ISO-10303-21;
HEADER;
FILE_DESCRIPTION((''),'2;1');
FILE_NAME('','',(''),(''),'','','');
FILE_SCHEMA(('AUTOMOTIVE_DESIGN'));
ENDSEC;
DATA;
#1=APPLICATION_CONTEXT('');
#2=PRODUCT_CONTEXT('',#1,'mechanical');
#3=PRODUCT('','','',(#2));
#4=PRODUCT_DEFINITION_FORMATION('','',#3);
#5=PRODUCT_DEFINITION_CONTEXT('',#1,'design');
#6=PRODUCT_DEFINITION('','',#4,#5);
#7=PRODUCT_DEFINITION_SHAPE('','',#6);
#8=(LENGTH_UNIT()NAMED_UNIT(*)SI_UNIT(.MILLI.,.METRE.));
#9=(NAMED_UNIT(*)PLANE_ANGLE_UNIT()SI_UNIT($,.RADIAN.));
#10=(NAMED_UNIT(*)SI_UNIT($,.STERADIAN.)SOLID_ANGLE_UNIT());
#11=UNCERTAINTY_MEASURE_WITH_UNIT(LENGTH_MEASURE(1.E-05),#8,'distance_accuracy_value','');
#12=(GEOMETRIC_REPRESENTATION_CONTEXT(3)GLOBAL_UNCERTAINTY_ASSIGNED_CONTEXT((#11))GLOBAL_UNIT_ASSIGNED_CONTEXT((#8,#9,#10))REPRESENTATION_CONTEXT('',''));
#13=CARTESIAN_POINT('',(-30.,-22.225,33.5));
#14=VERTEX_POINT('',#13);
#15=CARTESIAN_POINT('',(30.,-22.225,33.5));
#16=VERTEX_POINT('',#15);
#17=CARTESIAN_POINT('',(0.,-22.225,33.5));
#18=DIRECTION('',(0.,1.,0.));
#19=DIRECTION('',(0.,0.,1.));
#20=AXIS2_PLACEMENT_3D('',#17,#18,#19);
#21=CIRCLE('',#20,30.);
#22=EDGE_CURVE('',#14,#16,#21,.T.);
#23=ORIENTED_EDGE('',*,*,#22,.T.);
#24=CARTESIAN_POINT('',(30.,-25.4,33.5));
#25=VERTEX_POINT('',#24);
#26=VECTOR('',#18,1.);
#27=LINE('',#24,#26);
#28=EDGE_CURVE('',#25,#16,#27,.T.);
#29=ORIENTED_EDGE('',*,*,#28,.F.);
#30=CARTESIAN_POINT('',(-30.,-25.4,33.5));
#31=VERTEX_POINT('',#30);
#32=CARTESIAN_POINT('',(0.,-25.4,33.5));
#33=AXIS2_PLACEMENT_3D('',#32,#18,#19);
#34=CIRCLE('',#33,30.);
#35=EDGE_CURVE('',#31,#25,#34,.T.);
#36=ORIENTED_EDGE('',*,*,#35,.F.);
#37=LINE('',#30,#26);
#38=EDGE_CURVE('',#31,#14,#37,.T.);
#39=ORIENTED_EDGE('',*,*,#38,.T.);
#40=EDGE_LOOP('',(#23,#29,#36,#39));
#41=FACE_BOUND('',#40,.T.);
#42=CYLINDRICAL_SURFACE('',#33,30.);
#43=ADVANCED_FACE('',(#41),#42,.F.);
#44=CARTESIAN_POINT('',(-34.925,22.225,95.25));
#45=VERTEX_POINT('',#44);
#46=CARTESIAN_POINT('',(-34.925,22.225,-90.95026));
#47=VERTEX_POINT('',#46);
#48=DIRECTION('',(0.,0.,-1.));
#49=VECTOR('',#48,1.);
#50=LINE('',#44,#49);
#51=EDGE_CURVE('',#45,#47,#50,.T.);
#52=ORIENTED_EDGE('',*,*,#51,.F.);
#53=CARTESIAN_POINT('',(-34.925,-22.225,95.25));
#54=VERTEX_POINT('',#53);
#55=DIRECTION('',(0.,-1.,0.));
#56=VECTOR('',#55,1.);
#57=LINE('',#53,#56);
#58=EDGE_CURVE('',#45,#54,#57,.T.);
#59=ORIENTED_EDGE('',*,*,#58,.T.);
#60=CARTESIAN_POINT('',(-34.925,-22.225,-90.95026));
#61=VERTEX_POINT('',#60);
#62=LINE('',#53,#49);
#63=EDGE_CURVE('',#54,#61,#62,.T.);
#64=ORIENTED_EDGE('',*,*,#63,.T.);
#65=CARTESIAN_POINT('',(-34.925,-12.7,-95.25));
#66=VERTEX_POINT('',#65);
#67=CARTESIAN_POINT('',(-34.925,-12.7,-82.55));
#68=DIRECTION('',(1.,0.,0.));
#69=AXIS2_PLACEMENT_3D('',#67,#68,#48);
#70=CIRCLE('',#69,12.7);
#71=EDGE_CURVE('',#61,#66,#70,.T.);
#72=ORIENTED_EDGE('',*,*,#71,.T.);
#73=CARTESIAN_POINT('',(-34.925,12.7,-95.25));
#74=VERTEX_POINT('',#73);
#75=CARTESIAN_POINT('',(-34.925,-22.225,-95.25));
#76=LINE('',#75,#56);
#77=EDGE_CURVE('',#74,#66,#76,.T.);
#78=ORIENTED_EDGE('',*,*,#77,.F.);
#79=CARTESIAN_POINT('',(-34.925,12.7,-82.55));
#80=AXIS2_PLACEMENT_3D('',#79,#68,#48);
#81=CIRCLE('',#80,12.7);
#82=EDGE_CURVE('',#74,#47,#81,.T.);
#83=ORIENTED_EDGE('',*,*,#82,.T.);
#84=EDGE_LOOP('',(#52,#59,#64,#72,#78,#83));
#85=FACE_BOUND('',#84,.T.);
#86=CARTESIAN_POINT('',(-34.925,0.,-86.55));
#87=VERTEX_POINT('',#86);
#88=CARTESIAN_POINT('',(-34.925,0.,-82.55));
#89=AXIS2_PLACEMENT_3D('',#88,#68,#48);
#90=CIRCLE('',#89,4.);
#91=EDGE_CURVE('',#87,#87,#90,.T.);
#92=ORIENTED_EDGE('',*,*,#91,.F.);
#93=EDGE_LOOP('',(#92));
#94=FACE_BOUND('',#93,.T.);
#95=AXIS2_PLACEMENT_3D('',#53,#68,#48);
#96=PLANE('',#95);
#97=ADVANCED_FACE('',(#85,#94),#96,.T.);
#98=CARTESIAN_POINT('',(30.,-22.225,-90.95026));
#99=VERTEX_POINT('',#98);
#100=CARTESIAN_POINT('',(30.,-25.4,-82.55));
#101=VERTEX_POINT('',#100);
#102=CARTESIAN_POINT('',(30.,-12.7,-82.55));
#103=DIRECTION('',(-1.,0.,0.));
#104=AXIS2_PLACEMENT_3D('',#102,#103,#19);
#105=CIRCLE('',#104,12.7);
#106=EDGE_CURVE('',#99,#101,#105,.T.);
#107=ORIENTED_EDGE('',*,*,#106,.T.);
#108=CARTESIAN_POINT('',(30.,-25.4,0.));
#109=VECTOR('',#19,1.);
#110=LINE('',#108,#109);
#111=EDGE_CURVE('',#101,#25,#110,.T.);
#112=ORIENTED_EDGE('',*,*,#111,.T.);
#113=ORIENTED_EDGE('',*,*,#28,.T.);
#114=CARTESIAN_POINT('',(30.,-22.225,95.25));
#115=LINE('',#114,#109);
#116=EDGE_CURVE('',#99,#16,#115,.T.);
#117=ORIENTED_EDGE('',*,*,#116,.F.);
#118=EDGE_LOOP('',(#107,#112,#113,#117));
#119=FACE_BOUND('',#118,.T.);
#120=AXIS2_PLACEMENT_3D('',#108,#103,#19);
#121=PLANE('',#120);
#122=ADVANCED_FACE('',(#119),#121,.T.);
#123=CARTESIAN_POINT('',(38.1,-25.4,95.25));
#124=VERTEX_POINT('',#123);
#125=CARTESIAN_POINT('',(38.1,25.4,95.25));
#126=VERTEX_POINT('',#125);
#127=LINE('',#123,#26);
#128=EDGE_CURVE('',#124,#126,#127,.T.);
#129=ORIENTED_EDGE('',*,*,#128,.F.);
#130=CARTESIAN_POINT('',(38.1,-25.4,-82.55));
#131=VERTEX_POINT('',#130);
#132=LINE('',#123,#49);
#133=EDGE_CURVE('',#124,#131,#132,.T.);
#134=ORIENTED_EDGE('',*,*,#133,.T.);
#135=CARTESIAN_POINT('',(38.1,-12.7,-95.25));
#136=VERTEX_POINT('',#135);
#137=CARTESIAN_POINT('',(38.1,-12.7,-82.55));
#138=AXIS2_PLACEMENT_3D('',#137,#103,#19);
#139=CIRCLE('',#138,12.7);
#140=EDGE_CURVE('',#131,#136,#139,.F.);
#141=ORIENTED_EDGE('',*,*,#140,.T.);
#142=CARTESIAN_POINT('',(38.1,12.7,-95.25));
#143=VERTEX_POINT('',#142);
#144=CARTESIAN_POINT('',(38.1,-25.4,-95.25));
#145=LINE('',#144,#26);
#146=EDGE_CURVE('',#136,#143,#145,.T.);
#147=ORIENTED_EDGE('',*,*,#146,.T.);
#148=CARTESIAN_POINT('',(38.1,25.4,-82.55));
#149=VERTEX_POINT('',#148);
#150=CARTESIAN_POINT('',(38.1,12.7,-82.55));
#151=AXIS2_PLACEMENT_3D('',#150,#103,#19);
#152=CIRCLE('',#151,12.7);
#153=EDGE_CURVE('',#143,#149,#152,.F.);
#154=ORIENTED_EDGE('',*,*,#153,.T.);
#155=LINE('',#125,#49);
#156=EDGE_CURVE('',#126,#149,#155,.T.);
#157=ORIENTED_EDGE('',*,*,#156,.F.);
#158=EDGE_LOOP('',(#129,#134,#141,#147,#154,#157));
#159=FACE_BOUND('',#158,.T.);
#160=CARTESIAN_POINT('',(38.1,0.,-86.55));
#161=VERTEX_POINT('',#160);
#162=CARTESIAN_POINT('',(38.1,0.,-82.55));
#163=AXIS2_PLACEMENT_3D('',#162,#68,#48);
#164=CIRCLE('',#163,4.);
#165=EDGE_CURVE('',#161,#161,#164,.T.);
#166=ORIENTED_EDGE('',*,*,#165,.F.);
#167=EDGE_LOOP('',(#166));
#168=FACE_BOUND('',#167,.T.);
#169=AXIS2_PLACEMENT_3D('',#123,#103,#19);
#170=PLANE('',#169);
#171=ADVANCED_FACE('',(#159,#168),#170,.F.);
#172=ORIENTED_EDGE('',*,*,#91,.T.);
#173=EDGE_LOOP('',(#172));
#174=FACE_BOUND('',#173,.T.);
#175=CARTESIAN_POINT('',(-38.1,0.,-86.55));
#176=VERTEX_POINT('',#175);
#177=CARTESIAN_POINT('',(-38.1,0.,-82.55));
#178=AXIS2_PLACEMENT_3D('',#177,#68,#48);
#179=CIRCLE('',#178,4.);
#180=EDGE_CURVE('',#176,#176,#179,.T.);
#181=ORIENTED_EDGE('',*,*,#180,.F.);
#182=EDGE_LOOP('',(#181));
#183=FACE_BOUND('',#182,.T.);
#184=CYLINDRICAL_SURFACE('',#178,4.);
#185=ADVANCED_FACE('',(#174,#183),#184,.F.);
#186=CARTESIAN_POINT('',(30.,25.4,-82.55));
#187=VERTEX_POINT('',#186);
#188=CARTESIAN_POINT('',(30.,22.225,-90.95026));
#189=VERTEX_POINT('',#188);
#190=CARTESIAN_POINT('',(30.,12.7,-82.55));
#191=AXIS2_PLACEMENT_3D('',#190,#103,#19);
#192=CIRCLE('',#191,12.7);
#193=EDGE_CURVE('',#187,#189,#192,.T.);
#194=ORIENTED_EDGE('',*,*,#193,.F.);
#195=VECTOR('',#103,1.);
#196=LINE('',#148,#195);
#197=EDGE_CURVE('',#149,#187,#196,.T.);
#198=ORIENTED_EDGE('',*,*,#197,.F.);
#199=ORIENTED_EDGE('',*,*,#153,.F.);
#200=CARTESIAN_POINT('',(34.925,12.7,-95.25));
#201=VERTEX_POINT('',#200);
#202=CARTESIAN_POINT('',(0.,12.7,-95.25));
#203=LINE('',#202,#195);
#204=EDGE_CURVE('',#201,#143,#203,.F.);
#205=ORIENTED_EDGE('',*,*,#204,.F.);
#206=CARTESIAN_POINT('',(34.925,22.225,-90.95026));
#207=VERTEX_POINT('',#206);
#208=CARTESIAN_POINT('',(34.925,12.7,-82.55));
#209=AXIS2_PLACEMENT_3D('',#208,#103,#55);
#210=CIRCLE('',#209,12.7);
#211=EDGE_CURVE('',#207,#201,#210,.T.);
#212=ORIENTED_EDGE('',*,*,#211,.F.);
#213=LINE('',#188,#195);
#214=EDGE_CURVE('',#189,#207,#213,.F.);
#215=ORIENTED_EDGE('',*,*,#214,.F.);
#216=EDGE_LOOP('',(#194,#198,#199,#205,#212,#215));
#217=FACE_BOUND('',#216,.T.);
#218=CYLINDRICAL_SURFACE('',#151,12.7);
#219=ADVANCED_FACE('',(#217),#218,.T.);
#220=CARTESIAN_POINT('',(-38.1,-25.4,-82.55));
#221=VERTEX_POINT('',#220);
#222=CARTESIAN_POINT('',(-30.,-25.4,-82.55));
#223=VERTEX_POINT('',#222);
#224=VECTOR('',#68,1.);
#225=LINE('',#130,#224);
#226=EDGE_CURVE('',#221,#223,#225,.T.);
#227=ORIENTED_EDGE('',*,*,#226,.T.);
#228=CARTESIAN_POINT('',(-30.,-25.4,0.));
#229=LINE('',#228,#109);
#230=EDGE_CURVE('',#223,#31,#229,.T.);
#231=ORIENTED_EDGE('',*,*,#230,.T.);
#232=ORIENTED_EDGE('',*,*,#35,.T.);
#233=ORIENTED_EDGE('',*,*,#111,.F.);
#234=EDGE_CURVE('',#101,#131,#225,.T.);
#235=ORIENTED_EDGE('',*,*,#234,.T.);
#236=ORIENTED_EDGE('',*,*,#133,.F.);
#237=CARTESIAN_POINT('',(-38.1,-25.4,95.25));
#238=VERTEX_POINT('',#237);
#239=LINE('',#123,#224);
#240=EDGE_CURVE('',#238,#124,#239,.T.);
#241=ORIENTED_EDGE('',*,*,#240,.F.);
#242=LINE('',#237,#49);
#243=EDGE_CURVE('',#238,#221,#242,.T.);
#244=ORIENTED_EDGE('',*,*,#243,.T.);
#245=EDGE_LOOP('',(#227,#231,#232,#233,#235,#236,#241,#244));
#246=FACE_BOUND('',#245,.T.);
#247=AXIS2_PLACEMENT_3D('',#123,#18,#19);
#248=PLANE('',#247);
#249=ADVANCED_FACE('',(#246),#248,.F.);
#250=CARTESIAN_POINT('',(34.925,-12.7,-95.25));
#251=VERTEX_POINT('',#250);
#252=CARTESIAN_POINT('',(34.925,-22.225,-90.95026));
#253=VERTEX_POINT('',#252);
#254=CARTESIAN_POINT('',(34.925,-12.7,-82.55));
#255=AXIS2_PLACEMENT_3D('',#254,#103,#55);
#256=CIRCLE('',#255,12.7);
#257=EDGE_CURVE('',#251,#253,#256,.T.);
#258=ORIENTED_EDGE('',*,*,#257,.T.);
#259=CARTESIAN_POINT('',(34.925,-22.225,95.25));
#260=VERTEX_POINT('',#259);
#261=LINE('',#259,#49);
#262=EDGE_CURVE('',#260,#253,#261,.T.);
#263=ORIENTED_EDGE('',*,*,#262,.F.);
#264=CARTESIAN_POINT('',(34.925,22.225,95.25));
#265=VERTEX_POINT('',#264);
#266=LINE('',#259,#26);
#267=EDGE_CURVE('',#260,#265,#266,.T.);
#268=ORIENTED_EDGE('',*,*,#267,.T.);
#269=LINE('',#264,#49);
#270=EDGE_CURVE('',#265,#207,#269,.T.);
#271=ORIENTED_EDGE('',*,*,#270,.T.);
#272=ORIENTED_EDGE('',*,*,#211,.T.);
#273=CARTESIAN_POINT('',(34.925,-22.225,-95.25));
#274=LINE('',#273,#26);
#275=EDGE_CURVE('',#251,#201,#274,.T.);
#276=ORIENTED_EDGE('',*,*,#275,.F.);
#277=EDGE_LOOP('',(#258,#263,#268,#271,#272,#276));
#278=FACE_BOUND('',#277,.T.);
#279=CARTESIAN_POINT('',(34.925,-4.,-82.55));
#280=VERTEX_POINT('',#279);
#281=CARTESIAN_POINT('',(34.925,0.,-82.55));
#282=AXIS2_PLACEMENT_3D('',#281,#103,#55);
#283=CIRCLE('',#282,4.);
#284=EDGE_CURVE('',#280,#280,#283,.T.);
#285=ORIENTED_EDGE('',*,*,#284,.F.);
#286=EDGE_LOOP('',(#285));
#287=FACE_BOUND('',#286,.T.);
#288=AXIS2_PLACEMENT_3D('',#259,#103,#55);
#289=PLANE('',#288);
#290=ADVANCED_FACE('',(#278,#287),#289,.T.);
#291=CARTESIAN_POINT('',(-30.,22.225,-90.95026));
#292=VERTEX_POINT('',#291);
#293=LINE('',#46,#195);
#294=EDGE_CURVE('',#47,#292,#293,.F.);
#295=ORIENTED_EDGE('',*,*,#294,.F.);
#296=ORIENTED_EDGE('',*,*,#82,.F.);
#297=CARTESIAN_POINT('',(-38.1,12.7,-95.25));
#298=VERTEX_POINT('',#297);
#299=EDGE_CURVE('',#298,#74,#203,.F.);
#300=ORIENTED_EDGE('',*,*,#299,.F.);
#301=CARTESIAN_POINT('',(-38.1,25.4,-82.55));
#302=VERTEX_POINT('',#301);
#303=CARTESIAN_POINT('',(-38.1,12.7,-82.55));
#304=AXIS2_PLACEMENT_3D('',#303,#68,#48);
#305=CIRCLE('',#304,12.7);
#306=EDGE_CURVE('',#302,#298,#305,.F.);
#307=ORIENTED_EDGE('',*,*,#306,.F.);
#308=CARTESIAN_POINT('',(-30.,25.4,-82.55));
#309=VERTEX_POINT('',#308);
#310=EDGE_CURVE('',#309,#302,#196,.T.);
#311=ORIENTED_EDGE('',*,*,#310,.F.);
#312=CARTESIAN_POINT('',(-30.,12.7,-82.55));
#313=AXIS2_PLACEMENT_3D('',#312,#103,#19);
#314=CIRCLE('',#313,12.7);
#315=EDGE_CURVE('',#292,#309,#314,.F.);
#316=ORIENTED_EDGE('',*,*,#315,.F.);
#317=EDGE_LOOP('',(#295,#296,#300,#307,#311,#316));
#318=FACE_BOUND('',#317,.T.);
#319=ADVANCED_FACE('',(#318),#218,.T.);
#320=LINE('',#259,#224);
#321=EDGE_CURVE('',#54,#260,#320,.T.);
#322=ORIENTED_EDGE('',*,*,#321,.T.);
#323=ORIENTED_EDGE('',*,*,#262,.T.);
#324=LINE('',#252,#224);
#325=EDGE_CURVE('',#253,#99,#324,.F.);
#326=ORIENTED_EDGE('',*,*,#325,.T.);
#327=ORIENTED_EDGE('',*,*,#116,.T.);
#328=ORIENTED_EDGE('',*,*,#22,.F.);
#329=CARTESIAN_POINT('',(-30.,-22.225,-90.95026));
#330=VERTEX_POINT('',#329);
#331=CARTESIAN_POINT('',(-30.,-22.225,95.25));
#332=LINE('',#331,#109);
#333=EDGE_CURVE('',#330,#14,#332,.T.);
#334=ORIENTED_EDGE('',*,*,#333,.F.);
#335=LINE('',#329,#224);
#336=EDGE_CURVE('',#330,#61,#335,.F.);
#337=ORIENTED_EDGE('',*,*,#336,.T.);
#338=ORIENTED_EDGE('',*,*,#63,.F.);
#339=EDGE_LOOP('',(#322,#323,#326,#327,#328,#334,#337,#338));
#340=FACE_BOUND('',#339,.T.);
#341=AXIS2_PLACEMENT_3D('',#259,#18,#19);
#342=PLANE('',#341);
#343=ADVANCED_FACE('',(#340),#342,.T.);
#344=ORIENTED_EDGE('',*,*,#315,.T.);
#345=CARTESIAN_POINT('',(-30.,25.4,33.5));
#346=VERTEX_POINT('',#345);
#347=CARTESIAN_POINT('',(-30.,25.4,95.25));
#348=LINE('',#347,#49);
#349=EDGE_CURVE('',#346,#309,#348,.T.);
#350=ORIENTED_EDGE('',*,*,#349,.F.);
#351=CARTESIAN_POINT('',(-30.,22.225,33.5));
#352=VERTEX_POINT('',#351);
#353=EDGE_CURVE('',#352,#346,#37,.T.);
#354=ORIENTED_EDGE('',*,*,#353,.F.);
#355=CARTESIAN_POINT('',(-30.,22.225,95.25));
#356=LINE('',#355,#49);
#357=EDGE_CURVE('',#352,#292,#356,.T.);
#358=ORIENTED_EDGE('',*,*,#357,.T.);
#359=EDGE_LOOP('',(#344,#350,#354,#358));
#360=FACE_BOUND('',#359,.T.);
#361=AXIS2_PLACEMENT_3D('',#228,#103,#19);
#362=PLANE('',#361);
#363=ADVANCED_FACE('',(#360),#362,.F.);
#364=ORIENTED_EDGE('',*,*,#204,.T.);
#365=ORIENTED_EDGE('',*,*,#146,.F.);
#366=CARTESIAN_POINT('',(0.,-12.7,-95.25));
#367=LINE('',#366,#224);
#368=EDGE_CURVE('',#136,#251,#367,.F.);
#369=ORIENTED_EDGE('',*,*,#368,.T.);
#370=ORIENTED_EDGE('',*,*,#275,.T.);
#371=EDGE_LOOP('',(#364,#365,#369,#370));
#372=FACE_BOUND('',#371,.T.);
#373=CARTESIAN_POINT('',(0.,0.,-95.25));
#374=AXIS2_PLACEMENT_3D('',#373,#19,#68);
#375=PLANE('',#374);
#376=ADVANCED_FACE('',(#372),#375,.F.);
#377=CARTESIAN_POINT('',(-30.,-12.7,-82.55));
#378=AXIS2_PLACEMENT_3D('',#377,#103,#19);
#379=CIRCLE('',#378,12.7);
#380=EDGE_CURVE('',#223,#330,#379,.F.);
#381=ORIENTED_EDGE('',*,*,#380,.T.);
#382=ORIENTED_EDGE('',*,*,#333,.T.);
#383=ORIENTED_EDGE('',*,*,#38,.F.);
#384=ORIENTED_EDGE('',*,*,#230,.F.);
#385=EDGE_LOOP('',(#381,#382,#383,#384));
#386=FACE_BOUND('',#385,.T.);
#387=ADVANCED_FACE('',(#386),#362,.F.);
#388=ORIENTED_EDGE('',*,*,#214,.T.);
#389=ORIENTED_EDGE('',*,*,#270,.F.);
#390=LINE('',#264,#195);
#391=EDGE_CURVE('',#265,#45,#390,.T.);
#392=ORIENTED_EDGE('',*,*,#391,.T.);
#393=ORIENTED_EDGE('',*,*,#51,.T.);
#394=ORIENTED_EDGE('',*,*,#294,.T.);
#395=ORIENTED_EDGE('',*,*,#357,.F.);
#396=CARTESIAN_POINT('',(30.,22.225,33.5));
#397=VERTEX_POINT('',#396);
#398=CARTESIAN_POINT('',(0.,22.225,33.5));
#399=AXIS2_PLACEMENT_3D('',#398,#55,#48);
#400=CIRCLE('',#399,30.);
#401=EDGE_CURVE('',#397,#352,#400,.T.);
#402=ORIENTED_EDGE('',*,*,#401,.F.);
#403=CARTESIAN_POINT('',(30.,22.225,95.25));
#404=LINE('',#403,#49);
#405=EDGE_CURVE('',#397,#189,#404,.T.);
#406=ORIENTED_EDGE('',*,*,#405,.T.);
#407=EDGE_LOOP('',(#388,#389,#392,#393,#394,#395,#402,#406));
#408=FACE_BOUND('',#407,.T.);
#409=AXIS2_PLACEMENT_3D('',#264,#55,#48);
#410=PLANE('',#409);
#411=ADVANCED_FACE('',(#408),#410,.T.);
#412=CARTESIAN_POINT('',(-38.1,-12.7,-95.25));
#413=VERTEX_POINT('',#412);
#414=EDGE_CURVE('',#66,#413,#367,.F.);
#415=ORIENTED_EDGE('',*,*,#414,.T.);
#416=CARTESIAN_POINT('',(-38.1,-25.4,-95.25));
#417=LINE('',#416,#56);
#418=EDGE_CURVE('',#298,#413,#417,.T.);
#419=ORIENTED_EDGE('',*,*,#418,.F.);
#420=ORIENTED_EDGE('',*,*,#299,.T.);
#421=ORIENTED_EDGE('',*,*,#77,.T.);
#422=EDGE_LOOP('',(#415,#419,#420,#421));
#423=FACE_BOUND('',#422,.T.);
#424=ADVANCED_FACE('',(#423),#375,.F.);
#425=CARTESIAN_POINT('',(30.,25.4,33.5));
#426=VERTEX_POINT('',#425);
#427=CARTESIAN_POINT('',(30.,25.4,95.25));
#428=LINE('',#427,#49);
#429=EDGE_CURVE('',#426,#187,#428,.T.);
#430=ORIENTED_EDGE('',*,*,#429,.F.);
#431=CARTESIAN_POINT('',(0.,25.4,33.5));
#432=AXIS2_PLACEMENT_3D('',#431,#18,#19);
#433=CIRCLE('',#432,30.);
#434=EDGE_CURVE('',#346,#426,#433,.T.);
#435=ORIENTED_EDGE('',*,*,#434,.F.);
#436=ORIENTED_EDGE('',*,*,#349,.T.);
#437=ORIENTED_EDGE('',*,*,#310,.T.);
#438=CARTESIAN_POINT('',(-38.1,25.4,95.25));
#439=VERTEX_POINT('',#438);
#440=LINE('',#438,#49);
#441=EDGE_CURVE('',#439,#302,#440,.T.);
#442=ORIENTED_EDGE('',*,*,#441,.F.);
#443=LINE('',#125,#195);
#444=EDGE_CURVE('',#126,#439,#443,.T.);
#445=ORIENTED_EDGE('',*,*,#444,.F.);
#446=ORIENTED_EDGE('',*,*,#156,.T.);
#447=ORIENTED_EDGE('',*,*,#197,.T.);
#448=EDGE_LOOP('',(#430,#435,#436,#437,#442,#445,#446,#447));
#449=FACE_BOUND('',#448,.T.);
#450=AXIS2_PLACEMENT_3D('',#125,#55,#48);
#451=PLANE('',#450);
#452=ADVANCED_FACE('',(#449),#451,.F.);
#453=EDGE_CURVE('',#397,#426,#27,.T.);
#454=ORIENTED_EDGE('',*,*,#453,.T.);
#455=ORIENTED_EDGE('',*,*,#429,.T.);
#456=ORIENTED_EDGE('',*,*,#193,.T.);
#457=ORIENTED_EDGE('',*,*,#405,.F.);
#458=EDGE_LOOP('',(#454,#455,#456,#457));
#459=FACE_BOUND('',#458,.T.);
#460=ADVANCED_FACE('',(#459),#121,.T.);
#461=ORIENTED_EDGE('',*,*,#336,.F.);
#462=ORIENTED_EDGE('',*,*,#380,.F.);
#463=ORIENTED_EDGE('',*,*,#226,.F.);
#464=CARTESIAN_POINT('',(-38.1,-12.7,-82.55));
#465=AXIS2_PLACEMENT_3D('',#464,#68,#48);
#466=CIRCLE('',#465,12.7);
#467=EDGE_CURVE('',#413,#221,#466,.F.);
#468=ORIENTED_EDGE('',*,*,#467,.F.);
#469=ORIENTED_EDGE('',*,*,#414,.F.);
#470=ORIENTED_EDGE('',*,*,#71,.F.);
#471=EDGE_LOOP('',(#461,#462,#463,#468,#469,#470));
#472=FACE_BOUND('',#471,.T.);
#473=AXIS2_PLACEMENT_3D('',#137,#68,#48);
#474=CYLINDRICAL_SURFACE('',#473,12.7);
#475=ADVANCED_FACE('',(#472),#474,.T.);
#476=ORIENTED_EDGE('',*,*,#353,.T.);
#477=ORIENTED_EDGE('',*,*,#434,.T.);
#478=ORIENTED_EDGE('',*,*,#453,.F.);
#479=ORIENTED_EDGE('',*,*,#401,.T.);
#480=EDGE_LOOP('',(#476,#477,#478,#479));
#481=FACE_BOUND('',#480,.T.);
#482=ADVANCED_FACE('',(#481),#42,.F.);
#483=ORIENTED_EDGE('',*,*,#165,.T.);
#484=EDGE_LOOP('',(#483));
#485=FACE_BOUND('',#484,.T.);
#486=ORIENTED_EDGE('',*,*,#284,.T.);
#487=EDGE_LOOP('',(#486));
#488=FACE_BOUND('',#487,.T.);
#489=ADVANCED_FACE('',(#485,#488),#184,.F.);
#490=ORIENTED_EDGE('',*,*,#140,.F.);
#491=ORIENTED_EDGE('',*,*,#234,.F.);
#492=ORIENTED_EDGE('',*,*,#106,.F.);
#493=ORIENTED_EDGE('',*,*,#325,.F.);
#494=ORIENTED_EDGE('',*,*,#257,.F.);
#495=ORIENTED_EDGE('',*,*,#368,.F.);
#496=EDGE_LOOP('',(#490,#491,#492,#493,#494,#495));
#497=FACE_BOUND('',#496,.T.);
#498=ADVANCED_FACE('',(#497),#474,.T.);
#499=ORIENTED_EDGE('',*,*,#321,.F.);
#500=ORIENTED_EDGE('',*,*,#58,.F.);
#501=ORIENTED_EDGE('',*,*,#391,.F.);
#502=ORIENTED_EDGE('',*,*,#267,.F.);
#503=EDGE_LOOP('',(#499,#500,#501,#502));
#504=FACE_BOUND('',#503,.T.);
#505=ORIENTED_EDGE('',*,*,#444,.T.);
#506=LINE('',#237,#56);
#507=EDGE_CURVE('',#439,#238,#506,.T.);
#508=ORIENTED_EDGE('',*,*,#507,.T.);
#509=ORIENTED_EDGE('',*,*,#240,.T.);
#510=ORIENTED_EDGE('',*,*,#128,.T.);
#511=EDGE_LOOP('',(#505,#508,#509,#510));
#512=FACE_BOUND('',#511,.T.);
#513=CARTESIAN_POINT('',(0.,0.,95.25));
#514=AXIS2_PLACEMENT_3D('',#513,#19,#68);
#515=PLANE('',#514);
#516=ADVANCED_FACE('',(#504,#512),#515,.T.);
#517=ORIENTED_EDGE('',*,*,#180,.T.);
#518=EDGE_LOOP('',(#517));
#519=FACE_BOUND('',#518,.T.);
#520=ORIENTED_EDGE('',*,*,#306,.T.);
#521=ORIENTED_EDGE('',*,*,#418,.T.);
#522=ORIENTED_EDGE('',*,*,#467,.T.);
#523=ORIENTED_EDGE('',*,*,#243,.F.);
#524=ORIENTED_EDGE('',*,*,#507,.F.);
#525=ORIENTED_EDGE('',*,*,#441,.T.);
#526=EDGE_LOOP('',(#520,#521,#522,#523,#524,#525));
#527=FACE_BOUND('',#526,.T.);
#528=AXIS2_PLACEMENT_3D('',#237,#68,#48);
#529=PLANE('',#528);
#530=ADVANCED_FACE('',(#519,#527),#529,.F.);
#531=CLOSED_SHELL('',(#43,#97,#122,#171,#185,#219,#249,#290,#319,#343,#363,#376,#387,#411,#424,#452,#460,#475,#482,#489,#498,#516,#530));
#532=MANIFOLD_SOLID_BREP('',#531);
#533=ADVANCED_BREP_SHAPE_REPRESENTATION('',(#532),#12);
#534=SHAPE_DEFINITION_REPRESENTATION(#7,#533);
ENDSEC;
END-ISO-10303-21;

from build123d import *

# Parameters (mm, degrees)
BOSS_EXTRUDE1_DEPTH      = 95.25
BOSS_EXTRUDE1_DEPTH_BACK = 95.25
SKETCH3_W                = 76.2
SKETCH3_H                = 50.8
SKETCH3_W_2              = 69.85
SKETCH3_H_2              = 44.45
CUT_EXTRUDE1_DEPTH       = 115.476252996
CUT_EXTRUDE1_DEPTH_BACK  = 115.476252996
SKETCH7_R                = 4
CUT_EXTRUDE2_DEPTH       = 125.595997127
FILLET1_R                = 12.7


with BuildPart() as part:
    # Sketch3 → Boss-Extrude1 (new, two sides: drawn at the far end of the back side and taken through both)
    with BuildSketch(Plane.XY.offset(-BOSS_EXTRUDE1_DEPTH_BACK)):
        Rectangle(SKETCH3_W, SKETCH3_H)
        Rectangle(SKETCH3_W_2, SKETCH3_H_2, mode=Mode.SUBTRACT)
    extrude(amount=BOSS_EXTRUDE1_DEPTH + BOSS_EXTRUDE1_DEPTH_BACK)

    # Sketch6 → Cut-Extrude1 (cut, two sides: drawn at the far end of the back side and taken through both)
    with BuildSketch(Plane(origin=(0, 25.4, 0), x_dir=(1, 0, 0), z_dir=(0, 1, 0)).offset(-CUT_EXTRUDE1_DEPTH_BACK)):
        with BuildLine():
            Line((30, 95.25), (-30, 95.25))
            Line((-30, 95.25), (-30, -33.5))
            ThreePointArc((-30, -33.5), (0, -63.5), (30, -33.5))
            Line((30, -33.5), (30, 95.25))
        make_face()
    extrude(amount=CUT_EXTRUDE1_DEPTH + CUT_EXTRUDE1_DEPTH_BACK, mode=Mode.SUBTRACT)

    # Sketch7 → Cut-Extrude2 (cut, through all)
    with BuildSketch(Plane(origin=(38.1, 0, 0), x_dir=(0, 0, -1), z_dir=(1, 0, 0))):
        with Locations((82.55, 0)):
            Circle(SKETCH7_R)
    extrude(amount=-CUT_EXTRUDE2_DEPTH, mode=Mode.SUBTRACT)

    # Fillet1
    fillet1_edges = [part.edges().sort_by_distance(p)[0] for p in [
        (-34.05, -25.4, -95.25),
        (-34.05, 25.4, -95.25),
        (34.05, -25.4, -95.25),
        (34.05, 25.4, -95.25),
    ]]
    fillet(fillet1_edges, radius=FILLET1_R)


solid = part.part
